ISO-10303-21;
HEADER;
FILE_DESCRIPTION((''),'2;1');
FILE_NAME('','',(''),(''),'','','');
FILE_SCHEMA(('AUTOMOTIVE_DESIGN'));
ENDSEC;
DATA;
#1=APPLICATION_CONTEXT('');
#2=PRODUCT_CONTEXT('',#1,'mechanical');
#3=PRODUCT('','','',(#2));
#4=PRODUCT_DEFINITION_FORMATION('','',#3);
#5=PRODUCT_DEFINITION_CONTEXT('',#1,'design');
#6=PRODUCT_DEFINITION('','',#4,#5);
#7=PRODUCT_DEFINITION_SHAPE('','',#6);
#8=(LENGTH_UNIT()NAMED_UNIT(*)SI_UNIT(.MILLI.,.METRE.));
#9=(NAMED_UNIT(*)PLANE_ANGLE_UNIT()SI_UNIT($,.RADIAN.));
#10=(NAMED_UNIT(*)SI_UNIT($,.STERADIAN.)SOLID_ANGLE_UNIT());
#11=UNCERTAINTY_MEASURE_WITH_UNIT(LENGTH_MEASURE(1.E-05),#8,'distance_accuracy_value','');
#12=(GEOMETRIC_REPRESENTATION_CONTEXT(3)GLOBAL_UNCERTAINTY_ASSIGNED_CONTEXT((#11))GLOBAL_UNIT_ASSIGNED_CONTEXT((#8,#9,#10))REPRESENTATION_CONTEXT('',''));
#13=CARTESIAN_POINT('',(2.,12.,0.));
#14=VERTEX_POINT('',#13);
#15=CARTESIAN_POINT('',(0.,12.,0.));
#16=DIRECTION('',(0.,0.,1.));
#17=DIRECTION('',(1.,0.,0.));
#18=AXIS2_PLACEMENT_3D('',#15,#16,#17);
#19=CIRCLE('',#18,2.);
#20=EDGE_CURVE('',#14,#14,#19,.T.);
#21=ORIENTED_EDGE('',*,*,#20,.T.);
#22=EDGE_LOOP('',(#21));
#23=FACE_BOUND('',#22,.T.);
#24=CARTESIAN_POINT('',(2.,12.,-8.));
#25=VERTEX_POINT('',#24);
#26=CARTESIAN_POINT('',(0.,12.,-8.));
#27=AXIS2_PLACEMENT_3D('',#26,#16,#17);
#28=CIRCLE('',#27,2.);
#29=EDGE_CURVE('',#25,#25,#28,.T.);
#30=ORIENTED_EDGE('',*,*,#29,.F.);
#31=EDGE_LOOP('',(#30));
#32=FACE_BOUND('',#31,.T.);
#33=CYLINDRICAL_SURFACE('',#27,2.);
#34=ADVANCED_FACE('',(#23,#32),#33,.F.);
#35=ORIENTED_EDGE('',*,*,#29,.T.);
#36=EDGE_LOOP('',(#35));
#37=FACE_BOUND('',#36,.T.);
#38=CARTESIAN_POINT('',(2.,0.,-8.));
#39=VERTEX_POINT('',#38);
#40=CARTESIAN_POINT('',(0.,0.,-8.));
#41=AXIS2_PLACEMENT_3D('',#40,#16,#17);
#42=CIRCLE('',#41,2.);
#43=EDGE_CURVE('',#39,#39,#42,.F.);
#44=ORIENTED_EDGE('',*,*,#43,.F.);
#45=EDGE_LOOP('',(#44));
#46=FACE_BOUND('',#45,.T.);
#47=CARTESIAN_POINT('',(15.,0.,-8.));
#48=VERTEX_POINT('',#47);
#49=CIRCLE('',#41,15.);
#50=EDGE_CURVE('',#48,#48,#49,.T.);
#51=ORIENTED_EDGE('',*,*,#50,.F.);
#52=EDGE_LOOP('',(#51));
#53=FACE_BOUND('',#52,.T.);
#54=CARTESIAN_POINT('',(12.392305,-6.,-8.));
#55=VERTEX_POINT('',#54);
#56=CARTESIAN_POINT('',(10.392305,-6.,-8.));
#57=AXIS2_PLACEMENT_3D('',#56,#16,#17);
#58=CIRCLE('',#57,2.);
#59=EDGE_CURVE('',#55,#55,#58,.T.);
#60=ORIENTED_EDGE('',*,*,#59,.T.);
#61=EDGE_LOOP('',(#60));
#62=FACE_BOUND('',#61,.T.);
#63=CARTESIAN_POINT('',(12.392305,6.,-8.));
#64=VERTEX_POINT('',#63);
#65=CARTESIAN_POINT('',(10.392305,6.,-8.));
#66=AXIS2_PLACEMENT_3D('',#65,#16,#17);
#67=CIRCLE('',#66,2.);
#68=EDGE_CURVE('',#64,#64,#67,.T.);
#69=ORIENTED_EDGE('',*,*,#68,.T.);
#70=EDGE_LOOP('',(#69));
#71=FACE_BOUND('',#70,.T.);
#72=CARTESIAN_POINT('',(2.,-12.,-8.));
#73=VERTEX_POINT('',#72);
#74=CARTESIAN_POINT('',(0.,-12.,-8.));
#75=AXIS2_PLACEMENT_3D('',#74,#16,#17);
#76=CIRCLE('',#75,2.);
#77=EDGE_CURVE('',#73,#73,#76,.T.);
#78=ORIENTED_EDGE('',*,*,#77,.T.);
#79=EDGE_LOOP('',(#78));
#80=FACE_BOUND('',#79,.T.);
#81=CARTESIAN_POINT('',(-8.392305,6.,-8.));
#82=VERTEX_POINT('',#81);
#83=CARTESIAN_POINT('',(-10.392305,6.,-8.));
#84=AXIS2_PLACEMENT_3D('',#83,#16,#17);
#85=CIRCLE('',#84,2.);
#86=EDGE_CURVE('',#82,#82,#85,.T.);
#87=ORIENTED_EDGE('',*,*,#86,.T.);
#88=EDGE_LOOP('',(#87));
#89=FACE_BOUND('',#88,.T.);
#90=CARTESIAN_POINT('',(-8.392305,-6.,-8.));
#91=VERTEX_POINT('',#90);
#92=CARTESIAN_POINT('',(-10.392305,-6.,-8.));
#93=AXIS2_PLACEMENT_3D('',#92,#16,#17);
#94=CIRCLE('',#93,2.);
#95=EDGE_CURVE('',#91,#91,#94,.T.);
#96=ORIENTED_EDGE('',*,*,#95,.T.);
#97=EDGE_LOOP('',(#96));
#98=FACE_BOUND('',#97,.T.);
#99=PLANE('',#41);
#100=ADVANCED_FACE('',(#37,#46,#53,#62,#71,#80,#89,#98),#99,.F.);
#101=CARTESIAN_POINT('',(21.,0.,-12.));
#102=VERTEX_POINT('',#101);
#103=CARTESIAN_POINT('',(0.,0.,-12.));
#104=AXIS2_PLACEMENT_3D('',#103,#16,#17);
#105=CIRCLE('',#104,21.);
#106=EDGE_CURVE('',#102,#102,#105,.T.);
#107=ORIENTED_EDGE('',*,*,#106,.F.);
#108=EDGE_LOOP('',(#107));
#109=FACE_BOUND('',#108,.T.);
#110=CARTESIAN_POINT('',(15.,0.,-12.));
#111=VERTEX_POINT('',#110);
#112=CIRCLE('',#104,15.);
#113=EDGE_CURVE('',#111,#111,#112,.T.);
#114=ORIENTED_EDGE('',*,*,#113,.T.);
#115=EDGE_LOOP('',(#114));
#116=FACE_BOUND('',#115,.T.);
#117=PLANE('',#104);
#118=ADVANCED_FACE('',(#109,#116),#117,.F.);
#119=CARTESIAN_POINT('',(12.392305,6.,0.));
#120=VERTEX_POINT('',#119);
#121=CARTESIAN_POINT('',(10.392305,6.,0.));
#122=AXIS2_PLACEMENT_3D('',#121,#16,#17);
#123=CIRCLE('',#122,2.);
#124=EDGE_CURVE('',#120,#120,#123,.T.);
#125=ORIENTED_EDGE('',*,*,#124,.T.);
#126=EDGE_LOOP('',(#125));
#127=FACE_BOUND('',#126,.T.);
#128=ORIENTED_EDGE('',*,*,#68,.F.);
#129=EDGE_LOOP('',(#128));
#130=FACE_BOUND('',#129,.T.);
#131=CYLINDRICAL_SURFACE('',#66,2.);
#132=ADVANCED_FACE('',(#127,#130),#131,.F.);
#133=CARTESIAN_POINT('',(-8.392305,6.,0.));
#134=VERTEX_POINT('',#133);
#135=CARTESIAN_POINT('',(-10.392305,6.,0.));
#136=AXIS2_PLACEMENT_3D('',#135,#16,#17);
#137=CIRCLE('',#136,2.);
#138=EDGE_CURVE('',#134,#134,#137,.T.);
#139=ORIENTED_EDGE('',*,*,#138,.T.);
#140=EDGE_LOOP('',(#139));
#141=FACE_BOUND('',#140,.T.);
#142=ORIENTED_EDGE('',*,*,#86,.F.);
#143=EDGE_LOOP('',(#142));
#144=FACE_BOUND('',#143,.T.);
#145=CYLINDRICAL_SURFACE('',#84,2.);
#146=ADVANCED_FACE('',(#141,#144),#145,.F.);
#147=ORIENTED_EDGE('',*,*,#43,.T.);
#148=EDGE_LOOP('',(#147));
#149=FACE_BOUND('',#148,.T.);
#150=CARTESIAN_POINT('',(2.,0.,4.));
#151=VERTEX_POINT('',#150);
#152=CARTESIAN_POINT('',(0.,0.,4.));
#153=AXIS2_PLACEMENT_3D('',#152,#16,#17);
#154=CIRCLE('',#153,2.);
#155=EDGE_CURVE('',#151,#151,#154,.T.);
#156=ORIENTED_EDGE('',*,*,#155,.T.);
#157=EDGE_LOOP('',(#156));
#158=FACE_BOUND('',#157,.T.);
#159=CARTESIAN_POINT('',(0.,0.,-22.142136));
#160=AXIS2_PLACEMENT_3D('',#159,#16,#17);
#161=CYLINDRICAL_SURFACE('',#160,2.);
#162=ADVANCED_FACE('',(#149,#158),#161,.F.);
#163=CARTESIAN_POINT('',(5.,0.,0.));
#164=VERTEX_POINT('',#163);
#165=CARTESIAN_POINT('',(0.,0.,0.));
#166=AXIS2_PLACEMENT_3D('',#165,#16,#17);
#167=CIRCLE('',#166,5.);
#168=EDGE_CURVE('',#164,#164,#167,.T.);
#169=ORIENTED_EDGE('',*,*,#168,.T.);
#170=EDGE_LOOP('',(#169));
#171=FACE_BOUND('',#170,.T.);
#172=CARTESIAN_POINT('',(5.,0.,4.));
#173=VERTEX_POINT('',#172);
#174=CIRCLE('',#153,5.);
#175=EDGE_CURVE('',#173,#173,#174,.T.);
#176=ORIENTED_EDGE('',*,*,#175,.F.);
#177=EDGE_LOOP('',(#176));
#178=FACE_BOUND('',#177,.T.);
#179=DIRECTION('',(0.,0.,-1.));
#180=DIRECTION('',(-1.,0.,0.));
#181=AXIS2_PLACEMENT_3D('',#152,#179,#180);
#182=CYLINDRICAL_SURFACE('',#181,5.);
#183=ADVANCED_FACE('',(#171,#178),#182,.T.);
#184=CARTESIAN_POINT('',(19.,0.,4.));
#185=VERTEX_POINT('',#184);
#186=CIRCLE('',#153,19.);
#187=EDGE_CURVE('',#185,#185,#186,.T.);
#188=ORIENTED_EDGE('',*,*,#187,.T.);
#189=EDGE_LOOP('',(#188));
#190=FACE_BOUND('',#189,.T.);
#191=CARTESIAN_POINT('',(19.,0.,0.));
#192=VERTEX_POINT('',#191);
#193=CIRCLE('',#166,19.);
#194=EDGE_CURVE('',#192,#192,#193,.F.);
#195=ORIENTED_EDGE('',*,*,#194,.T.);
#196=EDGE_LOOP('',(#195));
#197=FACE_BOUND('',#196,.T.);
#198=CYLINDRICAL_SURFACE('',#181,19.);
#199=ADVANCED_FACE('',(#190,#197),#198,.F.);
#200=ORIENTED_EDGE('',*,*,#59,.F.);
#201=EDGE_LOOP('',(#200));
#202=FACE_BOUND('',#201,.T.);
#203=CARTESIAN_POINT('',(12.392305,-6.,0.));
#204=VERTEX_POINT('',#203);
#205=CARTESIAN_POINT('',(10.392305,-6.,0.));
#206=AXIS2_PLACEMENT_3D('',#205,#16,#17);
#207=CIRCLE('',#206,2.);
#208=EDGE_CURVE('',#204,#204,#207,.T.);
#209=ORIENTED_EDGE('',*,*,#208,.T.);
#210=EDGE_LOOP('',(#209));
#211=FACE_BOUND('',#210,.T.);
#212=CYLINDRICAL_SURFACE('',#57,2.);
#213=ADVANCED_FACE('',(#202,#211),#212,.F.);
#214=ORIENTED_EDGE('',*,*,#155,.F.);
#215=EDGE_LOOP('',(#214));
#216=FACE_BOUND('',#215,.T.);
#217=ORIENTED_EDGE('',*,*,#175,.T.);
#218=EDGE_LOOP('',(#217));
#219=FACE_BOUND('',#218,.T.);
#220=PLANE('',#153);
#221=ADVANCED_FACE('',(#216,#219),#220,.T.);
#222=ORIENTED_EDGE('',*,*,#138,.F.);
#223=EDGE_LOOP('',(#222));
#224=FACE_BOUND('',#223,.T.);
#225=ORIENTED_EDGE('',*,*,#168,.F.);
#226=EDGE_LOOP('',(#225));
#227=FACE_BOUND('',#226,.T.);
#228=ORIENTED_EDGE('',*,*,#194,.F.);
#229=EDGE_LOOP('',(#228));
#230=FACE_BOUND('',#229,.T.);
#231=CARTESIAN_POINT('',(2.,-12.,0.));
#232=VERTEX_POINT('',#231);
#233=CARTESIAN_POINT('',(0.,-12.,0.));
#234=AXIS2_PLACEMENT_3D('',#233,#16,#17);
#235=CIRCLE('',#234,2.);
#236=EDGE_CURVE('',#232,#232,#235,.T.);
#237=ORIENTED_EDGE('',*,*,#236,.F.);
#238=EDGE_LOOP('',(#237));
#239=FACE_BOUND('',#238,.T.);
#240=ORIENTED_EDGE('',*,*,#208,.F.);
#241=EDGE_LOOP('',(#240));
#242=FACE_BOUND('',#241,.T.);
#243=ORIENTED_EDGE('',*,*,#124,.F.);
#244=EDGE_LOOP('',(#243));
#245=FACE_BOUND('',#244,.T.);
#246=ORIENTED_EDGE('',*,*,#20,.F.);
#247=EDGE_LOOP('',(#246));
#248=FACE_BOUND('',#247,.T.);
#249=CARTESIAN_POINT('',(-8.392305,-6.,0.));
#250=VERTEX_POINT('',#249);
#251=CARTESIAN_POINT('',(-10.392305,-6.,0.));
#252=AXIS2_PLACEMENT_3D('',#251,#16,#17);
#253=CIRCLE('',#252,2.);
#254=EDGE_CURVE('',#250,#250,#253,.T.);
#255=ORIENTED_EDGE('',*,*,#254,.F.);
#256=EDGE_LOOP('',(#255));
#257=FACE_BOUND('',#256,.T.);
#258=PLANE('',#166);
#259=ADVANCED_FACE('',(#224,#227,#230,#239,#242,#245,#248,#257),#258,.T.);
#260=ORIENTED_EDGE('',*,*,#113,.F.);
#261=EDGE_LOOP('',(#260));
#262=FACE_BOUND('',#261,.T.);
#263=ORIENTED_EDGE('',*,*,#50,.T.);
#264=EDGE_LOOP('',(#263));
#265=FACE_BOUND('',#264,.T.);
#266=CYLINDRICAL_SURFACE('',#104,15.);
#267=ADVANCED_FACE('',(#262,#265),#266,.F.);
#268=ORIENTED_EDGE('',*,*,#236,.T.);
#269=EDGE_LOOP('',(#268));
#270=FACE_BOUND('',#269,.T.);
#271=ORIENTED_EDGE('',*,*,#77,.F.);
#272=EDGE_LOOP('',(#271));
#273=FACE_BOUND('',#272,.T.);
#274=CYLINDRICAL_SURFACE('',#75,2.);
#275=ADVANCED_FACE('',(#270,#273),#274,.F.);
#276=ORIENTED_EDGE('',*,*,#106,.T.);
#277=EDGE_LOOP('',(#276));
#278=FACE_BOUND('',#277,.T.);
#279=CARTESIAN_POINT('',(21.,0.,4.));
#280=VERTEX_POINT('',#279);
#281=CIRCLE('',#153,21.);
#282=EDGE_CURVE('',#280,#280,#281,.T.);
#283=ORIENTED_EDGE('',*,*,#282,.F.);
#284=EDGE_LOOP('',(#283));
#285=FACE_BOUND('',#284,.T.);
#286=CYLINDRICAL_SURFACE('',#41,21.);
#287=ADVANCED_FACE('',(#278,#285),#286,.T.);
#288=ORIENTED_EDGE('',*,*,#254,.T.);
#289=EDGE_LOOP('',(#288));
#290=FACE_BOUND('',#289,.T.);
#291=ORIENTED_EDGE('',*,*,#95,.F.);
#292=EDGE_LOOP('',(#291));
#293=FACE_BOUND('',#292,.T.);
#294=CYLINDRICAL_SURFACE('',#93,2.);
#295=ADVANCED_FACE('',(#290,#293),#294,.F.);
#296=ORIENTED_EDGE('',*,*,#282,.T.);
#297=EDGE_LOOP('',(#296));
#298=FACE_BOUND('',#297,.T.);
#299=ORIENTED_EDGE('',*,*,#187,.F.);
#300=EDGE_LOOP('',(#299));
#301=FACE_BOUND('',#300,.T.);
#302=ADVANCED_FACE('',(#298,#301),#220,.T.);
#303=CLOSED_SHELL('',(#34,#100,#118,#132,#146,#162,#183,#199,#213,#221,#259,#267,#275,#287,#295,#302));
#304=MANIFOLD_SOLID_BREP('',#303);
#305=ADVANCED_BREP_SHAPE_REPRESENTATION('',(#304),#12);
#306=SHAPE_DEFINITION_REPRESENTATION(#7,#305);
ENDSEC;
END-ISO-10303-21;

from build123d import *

# Parameters (mm, degrees)
SKETCH1_R           = 21
SKETCH1_R_2         = 5
SKETCH1_R_3         = 2
BOSS_EXTRUDE1_DEPTH = 8
BOSS_EXTRUDE2_START = 4
SKETCH1_3_R         = 21
SKETCH1_3_R_2       = 19
BOSS_EXTRUDE2_DEPTH = 4
SKETCH1_4_R         = 21
SKETCH1_4_R_2       = 19
SKETCH1_4_R_3       = 15
BOSS_EXTRUDE3_DEPTH = 12
SKETCH1_6_R         = 5
SKETCH1_6_R_2       = 2
BOSS_EXTRUDE4_DEPTH = 4
BOSS_EXTRUDE5_START = 4
SKETCH1_7_R         = 5
SKETCH1_7_R_2       = 2
BOSS_EXTRUDE5_DEPTH = 4
SKETCH1_8_R         = 5
SKETCH1_8_R_2       = 2
BOSS_EXTRUDE6_DEPTH = 8


with BuildPart() as part:
    # Sketch1 → Boss-Extrude1 (new body)
    with BuildSketch(Plane.XY):
        Circle(SKETCH1_R)
        Circle(SKETCH1_R_2, mode=Mode.SUBTRACT)
        with Locations((0, 12)):
            Circle(SKETCH1_R_3, mode=Mode.SUBTRACT)
        with Locations((10.392304845, 6)):
            Circle(SKETCH1_R_3, mode=Mode.SUBTRACT)
        with Locations((10.392304845, -6)):
            Circle(SKETCH1_R_3, mode=Mode.SUBTRACT)
        with Locations((0, -12)):
            Circle(SKETCH1_R_3, mode=Mode.SUBTRACT)
        with Locations((-10.392304845, -6)):
            Circle(SKETCH1_R_3, mode=Mode.SUBTRACT)
        with Locations((-10.392304845, 6)):
            Circle(SKETCH1_R_3, mode=Mode.SUBTRACT)
    extrude(amount=-BOSS_EXTRUDE1_DEPTH)

    # Sketch1<3> → Boss-Extrude2 (add)
    with BuildSketch(Plane.XY.offset(BOSS_EXTRUDE2_START)):
        Circle(SKETCH1_3_R)
        Circle(SKETCH1_3_R_2, mode=Mode.SUBTRACT)
    extrude(amount=-BOSS_EXTRUDE2_DEPTH)

    # Sketch1<4> → Boss-Extrude3 (add)
    # profile 1 of 2: a face of its own
    with BuildSketch(Plane.XY):
        Circle(SKETCH1_4_R)
        Circle(SKETCH1_4_R_2, mode=Mode.SUBTRACT)
    # profile 2 of 2: a face of its own
    with BuildSketch(Plane.XY):
        Circle(SKETCH1_4_R_2)
        Circle(SKETCH1_4_R_3, mode=Mode.SUBTRACT)
    extrude(amount=-BOSS_EXTRUDE3_DEPTH)



with BuildPart() as body_2:
    # Sketch1<6> → Boss-Extrude4 (new body)
    with BuildSketch(Plane.XY):
        Circle(SKETCH1_6_R)
        Circle(SKETCH1_6_R_2, mode=Mode.SUBTRACT)
    extrude(amount=BOSS_EXTRUDE4_DEPTH)

    # Sketch1<7> → Boss-Extrude5 (add)
    with BuildSketch(Plane.XY.offset(BOSS_EXTRUDE5_START)):
        Circle(SKETCH1_7_R)
        Circle(SKETCH1_7_R_2, mode=Mode.SUBTRACT)
    extrude(amount=-BOSS_EXTRUDE5_DEPTH)


with BuildPart() as part_1:
    add(part.part)

    add(body_2.part)  # Boss-Extrude6 merges body 2
    # Sketch1<8> → Boss-Extrude6 (add)
    with BuildSketch(Plane.XY):
        Circle(SKETCH1_8_R)
        Circle(SKETCH1_8_R_2, mode=Mode.SUBTRACT)
    extrude(amount=-BOSS_EXTRUDE6_DEPTH)


solid = part_1.part
